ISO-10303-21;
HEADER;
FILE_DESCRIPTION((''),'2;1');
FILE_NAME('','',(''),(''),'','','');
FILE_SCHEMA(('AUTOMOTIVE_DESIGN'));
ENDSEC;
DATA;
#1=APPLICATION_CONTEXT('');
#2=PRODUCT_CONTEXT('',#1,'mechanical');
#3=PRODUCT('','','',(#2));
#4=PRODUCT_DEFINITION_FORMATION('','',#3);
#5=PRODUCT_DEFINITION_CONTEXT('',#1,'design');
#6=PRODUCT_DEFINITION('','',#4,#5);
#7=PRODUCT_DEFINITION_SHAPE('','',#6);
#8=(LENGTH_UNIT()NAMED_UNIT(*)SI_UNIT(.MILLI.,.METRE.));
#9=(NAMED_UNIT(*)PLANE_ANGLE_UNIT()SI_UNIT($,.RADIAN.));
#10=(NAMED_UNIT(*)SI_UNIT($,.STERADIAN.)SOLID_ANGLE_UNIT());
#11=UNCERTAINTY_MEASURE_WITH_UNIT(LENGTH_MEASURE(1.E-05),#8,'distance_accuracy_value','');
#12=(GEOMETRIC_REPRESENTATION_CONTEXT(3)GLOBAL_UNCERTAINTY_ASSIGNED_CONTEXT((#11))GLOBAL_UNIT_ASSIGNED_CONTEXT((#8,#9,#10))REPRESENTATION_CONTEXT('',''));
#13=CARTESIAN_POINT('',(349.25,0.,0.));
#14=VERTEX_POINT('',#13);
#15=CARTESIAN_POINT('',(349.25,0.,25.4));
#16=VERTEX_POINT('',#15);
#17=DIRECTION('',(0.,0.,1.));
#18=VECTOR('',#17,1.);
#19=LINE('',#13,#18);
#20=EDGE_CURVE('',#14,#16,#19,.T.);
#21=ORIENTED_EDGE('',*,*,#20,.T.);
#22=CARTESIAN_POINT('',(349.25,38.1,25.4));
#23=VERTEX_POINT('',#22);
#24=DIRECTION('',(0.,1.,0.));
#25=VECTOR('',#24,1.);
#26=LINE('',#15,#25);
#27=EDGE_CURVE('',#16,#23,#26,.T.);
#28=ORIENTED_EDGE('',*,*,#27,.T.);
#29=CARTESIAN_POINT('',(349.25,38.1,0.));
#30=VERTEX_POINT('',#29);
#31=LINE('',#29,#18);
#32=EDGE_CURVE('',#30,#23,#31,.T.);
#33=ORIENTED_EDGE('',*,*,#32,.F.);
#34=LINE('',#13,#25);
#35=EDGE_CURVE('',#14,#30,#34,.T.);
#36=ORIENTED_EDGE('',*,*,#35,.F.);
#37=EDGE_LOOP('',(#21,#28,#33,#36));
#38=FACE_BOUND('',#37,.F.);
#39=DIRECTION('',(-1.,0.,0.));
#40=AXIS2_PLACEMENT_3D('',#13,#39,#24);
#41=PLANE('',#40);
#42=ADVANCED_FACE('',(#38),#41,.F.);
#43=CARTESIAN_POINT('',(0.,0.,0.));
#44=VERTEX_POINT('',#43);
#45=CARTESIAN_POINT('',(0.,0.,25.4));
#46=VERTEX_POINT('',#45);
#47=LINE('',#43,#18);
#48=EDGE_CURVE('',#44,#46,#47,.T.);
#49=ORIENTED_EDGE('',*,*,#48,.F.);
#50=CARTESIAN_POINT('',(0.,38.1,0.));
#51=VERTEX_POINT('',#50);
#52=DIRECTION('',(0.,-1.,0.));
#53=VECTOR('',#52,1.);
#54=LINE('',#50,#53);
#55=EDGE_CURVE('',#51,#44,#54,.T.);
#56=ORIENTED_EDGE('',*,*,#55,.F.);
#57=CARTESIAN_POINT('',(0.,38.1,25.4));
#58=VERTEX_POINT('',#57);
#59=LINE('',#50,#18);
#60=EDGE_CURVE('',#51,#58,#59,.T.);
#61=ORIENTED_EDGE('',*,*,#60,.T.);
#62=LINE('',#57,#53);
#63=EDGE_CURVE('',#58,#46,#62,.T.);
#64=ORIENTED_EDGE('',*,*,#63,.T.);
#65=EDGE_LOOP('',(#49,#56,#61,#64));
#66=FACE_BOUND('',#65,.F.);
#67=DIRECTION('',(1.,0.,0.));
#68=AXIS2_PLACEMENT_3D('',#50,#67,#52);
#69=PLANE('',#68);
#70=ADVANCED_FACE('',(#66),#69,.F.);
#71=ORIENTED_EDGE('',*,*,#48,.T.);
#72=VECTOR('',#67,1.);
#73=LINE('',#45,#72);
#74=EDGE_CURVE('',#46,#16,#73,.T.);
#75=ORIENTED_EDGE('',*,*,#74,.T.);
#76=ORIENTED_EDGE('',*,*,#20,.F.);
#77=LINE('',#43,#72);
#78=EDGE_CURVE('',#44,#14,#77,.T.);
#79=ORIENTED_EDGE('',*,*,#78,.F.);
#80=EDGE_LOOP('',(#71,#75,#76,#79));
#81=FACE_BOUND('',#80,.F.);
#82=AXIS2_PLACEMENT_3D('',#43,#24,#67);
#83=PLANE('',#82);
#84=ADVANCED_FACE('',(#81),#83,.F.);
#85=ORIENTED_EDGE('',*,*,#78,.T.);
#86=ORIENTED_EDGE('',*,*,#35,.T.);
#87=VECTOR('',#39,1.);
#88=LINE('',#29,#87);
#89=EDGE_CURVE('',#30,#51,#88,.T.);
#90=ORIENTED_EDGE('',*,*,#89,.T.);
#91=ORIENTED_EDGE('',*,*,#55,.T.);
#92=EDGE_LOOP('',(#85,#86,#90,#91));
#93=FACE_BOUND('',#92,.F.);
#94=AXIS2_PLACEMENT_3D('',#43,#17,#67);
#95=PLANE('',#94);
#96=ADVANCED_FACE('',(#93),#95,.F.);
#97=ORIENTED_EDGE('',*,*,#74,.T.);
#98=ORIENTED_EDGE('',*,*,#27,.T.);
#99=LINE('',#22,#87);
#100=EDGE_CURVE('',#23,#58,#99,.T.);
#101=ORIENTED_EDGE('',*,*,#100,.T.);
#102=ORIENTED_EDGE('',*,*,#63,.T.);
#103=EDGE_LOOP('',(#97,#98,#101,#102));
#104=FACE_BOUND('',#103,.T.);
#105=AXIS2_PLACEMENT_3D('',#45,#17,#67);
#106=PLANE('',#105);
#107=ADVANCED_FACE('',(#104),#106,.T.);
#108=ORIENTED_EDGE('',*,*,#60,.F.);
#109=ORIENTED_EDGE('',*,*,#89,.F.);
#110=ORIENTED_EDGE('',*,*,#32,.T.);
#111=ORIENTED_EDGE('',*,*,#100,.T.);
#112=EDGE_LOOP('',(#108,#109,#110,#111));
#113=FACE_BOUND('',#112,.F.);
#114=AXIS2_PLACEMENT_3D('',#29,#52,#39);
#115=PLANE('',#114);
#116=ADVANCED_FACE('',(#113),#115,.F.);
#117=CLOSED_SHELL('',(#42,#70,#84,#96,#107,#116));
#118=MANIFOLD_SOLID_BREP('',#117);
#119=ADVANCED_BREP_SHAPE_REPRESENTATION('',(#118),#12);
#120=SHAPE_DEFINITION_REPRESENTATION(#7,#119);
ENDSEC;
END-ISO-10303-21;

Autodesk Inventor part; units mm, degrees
ref_plane "YZ Plane" through (0, 0, 0) normal (1, 0, 0) x (0, 1, 0)
ref_plane "XZ Plane" through (0, 0, 0) normal (0, 1, 0) x (-1, 0, 0)
ref_plane "XY Plane" through (0, 0, 0) normal (0, 0, 1) x (1, 0, 0)
sketch "Sketch1" plane through (0, 0, 0) normal (0, 0, 1) x (1, 0, 0)
  line L0 (0, 0) -> (349.25, 0)
  line L1 (349.25, 0) -> (349.25, 38.1)
  line L2 (349.25, 38.1) -> (0, 38.1)
  line L3 (0, 38.1) -> (0, 0)
  dimension "d2" = 38.1
  dimension "d3" = 349.25
extrude "Extrusion1" add sketch "Sketch1" along normal blind 25.4
properties part number "Fascia_Vent_With_Length_13.75_Inches" material "ABS Plastic"
